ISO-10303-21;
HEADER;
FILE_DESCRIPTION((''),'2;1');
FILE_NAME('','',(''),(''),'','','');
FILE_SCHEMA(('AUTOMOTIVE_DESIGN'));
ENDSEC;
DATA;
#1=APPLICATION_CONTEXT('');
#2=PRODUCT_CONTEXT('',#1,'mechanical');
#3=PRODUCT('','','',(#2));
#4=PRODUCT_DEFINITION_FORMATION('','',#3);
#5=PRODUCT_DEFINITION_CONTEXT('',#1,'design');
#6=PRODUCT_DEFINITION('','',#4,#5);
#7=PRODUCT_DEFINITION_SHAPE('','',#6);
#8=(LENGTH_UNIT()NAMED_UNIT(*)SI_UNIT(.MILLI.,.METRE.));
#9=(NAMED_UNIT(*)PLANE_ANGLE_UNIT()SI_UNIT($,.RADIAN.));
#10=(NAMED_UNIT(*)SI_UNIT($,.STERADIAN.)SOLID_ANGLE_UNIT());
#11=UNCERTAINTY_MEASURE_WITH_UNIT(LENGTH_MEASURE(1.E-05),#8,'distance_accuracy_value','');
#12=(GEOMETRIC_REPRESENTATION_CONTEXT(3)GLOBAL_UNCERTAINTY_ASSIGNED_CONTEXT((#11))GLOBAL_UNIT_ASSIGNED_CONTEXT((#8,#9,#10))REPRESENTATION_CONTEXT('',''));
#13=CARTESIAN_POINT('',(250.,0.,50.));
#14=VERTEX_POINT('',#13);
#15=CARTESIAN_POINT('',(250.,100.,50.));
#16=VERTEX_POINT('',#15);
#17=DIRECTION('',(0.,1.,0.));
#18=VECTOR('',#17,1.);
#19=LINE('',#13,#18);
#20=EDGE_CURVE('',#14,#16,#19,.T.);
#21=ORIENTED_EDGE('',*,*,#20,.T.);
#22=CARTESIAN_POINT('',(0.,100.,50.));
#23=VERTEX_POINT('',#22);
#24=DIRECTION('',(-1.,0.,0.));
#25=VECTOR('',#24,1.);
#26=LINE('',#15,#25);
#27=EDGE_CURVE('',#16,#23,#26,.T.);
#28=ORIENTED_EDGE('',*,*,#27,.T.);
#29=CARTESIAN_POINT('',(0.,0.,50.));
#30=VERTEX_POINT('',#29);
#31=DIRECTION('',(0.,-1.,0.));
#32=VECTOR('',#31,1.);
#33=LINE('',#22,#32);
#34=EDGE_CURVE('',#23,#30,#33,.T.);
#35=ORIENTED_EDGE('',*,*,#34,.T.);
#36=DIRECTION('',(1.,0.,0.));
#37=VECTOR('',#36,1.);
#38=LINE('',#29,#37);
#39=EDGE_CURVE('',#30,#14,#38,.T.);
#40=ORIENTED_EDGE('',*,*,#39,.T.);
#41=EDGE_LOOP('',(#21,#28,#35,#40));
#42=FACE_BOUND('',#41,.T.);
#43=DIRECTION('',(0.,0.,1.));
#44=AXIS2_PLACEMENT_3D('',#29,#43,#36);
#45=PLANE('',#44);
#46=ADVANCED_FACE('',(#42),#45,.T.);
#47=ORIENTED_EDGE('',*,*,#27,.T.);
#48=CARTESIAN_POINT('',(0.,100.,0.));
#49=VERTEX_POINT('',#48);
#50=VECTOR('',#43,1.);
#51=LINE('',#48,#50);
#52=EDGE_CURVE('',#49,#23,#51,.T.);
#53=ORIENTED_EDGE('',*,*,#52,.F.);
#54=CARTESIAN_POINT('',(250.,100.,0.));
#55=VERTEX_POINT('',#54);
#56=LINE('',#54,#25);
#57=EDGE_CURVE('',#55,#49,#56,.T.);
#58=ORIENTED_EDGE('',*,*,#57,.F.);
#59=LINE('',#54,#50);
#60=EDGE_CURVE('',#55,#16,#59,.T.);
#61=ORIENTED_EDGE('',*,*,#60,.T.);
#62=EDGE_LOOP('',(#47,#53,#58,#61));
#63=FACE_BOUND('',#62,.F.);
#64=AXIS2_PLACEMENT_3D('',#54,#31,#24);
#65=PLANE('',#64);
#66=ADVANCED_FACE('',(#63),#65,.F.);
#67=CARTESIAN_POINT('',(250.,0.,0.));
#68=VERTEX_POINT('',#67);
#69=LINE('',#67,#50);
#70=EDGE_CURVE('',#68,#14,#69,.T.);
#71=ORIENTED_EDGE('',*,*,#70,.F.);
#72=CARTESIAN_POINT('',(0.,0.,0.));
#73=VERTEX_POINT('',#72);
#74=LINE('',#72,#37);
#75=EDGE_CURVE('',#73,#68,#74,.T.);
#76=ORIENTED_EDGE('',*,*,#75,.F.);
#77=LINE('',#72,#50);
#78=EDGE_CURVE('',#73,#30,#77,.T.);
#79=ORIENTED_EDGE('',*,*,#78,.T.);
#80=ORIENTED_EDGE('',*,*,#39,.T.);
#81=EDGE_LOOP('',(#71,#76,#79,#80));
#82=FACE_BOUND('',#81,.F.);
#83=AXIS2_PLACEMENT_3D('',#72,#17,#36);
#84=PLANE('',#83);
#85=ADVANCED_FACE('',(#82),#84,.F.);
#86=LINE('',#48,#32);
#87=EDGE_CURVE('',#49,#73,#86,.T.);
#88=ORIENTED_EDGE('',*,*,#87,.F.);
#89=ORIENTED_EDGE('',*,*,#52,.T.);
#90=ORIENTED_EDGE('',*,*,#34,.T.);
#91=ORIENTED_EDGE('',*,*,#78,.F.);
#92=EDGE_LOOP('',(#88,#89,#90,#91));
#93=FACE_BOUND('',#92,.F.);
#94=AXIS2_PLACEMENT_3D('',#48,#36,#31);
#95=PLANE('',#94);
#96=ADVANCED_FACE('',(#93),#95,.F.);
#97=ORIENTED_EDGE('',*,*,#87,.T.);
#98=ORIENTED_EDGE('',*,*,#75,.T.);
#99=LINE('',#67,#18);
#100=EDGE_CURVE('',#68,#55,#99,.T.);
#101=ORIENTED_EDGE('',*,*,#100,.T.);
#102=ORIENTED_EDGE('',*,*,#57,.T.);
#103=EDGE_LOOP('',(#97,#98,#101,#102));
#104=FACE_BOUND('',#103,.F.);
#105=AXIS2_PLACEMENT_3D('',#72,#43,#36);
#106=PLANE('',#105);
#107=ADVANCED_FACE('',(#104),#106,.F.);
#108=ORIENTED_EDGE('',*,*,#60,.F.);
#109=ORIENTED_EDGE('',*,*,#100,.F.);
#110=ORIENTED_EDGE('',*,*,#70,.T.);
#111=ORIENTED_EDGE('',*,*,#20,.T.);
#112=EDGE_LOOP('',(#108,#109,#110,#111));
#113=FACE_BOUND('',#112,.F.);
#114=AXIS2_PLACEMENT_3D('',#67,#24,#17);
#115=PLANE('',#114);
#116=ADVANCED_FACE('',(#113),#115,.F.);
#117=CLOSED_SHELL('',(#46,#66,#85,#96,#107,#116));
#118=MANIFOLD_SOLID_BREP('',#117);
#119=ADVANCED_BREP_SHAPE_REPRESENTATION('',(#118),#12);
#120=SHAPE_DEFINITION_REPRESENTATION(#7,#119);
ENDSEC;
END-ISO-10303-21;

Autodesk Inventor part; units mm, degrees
ref_plane "YZ Plane" through (0, 0, 0) normal (1, 0, 0) x (0, 1, 0)
ref_plane "XZ Plane" through (0, 0, 0) normal (0, 1, 0) x (-1, 0, 0)
ref_plane "XY Plane" through (0, 0, 0) normal (0, 0, 1) x (1, 0, 0)
sketch "Эскиз1" plane through (0, 0, 0) normal (0, 0, 1) x (1, 0, 0)
  line L0 (0, 0) -> (250, 0)
  line L1 (250, 0) -> (250, 100)
  line L2 (250, 100) -> (0, 100)
  line L3 (0, 100) -> (0, 0)
  dimension "d0" = 250
  dimension "d1" = 100
extrude "Выдавливание1" add sketch "Эскиз1" along normal blind 50
properties part number "Контроллер" material "Пластик АБС"
